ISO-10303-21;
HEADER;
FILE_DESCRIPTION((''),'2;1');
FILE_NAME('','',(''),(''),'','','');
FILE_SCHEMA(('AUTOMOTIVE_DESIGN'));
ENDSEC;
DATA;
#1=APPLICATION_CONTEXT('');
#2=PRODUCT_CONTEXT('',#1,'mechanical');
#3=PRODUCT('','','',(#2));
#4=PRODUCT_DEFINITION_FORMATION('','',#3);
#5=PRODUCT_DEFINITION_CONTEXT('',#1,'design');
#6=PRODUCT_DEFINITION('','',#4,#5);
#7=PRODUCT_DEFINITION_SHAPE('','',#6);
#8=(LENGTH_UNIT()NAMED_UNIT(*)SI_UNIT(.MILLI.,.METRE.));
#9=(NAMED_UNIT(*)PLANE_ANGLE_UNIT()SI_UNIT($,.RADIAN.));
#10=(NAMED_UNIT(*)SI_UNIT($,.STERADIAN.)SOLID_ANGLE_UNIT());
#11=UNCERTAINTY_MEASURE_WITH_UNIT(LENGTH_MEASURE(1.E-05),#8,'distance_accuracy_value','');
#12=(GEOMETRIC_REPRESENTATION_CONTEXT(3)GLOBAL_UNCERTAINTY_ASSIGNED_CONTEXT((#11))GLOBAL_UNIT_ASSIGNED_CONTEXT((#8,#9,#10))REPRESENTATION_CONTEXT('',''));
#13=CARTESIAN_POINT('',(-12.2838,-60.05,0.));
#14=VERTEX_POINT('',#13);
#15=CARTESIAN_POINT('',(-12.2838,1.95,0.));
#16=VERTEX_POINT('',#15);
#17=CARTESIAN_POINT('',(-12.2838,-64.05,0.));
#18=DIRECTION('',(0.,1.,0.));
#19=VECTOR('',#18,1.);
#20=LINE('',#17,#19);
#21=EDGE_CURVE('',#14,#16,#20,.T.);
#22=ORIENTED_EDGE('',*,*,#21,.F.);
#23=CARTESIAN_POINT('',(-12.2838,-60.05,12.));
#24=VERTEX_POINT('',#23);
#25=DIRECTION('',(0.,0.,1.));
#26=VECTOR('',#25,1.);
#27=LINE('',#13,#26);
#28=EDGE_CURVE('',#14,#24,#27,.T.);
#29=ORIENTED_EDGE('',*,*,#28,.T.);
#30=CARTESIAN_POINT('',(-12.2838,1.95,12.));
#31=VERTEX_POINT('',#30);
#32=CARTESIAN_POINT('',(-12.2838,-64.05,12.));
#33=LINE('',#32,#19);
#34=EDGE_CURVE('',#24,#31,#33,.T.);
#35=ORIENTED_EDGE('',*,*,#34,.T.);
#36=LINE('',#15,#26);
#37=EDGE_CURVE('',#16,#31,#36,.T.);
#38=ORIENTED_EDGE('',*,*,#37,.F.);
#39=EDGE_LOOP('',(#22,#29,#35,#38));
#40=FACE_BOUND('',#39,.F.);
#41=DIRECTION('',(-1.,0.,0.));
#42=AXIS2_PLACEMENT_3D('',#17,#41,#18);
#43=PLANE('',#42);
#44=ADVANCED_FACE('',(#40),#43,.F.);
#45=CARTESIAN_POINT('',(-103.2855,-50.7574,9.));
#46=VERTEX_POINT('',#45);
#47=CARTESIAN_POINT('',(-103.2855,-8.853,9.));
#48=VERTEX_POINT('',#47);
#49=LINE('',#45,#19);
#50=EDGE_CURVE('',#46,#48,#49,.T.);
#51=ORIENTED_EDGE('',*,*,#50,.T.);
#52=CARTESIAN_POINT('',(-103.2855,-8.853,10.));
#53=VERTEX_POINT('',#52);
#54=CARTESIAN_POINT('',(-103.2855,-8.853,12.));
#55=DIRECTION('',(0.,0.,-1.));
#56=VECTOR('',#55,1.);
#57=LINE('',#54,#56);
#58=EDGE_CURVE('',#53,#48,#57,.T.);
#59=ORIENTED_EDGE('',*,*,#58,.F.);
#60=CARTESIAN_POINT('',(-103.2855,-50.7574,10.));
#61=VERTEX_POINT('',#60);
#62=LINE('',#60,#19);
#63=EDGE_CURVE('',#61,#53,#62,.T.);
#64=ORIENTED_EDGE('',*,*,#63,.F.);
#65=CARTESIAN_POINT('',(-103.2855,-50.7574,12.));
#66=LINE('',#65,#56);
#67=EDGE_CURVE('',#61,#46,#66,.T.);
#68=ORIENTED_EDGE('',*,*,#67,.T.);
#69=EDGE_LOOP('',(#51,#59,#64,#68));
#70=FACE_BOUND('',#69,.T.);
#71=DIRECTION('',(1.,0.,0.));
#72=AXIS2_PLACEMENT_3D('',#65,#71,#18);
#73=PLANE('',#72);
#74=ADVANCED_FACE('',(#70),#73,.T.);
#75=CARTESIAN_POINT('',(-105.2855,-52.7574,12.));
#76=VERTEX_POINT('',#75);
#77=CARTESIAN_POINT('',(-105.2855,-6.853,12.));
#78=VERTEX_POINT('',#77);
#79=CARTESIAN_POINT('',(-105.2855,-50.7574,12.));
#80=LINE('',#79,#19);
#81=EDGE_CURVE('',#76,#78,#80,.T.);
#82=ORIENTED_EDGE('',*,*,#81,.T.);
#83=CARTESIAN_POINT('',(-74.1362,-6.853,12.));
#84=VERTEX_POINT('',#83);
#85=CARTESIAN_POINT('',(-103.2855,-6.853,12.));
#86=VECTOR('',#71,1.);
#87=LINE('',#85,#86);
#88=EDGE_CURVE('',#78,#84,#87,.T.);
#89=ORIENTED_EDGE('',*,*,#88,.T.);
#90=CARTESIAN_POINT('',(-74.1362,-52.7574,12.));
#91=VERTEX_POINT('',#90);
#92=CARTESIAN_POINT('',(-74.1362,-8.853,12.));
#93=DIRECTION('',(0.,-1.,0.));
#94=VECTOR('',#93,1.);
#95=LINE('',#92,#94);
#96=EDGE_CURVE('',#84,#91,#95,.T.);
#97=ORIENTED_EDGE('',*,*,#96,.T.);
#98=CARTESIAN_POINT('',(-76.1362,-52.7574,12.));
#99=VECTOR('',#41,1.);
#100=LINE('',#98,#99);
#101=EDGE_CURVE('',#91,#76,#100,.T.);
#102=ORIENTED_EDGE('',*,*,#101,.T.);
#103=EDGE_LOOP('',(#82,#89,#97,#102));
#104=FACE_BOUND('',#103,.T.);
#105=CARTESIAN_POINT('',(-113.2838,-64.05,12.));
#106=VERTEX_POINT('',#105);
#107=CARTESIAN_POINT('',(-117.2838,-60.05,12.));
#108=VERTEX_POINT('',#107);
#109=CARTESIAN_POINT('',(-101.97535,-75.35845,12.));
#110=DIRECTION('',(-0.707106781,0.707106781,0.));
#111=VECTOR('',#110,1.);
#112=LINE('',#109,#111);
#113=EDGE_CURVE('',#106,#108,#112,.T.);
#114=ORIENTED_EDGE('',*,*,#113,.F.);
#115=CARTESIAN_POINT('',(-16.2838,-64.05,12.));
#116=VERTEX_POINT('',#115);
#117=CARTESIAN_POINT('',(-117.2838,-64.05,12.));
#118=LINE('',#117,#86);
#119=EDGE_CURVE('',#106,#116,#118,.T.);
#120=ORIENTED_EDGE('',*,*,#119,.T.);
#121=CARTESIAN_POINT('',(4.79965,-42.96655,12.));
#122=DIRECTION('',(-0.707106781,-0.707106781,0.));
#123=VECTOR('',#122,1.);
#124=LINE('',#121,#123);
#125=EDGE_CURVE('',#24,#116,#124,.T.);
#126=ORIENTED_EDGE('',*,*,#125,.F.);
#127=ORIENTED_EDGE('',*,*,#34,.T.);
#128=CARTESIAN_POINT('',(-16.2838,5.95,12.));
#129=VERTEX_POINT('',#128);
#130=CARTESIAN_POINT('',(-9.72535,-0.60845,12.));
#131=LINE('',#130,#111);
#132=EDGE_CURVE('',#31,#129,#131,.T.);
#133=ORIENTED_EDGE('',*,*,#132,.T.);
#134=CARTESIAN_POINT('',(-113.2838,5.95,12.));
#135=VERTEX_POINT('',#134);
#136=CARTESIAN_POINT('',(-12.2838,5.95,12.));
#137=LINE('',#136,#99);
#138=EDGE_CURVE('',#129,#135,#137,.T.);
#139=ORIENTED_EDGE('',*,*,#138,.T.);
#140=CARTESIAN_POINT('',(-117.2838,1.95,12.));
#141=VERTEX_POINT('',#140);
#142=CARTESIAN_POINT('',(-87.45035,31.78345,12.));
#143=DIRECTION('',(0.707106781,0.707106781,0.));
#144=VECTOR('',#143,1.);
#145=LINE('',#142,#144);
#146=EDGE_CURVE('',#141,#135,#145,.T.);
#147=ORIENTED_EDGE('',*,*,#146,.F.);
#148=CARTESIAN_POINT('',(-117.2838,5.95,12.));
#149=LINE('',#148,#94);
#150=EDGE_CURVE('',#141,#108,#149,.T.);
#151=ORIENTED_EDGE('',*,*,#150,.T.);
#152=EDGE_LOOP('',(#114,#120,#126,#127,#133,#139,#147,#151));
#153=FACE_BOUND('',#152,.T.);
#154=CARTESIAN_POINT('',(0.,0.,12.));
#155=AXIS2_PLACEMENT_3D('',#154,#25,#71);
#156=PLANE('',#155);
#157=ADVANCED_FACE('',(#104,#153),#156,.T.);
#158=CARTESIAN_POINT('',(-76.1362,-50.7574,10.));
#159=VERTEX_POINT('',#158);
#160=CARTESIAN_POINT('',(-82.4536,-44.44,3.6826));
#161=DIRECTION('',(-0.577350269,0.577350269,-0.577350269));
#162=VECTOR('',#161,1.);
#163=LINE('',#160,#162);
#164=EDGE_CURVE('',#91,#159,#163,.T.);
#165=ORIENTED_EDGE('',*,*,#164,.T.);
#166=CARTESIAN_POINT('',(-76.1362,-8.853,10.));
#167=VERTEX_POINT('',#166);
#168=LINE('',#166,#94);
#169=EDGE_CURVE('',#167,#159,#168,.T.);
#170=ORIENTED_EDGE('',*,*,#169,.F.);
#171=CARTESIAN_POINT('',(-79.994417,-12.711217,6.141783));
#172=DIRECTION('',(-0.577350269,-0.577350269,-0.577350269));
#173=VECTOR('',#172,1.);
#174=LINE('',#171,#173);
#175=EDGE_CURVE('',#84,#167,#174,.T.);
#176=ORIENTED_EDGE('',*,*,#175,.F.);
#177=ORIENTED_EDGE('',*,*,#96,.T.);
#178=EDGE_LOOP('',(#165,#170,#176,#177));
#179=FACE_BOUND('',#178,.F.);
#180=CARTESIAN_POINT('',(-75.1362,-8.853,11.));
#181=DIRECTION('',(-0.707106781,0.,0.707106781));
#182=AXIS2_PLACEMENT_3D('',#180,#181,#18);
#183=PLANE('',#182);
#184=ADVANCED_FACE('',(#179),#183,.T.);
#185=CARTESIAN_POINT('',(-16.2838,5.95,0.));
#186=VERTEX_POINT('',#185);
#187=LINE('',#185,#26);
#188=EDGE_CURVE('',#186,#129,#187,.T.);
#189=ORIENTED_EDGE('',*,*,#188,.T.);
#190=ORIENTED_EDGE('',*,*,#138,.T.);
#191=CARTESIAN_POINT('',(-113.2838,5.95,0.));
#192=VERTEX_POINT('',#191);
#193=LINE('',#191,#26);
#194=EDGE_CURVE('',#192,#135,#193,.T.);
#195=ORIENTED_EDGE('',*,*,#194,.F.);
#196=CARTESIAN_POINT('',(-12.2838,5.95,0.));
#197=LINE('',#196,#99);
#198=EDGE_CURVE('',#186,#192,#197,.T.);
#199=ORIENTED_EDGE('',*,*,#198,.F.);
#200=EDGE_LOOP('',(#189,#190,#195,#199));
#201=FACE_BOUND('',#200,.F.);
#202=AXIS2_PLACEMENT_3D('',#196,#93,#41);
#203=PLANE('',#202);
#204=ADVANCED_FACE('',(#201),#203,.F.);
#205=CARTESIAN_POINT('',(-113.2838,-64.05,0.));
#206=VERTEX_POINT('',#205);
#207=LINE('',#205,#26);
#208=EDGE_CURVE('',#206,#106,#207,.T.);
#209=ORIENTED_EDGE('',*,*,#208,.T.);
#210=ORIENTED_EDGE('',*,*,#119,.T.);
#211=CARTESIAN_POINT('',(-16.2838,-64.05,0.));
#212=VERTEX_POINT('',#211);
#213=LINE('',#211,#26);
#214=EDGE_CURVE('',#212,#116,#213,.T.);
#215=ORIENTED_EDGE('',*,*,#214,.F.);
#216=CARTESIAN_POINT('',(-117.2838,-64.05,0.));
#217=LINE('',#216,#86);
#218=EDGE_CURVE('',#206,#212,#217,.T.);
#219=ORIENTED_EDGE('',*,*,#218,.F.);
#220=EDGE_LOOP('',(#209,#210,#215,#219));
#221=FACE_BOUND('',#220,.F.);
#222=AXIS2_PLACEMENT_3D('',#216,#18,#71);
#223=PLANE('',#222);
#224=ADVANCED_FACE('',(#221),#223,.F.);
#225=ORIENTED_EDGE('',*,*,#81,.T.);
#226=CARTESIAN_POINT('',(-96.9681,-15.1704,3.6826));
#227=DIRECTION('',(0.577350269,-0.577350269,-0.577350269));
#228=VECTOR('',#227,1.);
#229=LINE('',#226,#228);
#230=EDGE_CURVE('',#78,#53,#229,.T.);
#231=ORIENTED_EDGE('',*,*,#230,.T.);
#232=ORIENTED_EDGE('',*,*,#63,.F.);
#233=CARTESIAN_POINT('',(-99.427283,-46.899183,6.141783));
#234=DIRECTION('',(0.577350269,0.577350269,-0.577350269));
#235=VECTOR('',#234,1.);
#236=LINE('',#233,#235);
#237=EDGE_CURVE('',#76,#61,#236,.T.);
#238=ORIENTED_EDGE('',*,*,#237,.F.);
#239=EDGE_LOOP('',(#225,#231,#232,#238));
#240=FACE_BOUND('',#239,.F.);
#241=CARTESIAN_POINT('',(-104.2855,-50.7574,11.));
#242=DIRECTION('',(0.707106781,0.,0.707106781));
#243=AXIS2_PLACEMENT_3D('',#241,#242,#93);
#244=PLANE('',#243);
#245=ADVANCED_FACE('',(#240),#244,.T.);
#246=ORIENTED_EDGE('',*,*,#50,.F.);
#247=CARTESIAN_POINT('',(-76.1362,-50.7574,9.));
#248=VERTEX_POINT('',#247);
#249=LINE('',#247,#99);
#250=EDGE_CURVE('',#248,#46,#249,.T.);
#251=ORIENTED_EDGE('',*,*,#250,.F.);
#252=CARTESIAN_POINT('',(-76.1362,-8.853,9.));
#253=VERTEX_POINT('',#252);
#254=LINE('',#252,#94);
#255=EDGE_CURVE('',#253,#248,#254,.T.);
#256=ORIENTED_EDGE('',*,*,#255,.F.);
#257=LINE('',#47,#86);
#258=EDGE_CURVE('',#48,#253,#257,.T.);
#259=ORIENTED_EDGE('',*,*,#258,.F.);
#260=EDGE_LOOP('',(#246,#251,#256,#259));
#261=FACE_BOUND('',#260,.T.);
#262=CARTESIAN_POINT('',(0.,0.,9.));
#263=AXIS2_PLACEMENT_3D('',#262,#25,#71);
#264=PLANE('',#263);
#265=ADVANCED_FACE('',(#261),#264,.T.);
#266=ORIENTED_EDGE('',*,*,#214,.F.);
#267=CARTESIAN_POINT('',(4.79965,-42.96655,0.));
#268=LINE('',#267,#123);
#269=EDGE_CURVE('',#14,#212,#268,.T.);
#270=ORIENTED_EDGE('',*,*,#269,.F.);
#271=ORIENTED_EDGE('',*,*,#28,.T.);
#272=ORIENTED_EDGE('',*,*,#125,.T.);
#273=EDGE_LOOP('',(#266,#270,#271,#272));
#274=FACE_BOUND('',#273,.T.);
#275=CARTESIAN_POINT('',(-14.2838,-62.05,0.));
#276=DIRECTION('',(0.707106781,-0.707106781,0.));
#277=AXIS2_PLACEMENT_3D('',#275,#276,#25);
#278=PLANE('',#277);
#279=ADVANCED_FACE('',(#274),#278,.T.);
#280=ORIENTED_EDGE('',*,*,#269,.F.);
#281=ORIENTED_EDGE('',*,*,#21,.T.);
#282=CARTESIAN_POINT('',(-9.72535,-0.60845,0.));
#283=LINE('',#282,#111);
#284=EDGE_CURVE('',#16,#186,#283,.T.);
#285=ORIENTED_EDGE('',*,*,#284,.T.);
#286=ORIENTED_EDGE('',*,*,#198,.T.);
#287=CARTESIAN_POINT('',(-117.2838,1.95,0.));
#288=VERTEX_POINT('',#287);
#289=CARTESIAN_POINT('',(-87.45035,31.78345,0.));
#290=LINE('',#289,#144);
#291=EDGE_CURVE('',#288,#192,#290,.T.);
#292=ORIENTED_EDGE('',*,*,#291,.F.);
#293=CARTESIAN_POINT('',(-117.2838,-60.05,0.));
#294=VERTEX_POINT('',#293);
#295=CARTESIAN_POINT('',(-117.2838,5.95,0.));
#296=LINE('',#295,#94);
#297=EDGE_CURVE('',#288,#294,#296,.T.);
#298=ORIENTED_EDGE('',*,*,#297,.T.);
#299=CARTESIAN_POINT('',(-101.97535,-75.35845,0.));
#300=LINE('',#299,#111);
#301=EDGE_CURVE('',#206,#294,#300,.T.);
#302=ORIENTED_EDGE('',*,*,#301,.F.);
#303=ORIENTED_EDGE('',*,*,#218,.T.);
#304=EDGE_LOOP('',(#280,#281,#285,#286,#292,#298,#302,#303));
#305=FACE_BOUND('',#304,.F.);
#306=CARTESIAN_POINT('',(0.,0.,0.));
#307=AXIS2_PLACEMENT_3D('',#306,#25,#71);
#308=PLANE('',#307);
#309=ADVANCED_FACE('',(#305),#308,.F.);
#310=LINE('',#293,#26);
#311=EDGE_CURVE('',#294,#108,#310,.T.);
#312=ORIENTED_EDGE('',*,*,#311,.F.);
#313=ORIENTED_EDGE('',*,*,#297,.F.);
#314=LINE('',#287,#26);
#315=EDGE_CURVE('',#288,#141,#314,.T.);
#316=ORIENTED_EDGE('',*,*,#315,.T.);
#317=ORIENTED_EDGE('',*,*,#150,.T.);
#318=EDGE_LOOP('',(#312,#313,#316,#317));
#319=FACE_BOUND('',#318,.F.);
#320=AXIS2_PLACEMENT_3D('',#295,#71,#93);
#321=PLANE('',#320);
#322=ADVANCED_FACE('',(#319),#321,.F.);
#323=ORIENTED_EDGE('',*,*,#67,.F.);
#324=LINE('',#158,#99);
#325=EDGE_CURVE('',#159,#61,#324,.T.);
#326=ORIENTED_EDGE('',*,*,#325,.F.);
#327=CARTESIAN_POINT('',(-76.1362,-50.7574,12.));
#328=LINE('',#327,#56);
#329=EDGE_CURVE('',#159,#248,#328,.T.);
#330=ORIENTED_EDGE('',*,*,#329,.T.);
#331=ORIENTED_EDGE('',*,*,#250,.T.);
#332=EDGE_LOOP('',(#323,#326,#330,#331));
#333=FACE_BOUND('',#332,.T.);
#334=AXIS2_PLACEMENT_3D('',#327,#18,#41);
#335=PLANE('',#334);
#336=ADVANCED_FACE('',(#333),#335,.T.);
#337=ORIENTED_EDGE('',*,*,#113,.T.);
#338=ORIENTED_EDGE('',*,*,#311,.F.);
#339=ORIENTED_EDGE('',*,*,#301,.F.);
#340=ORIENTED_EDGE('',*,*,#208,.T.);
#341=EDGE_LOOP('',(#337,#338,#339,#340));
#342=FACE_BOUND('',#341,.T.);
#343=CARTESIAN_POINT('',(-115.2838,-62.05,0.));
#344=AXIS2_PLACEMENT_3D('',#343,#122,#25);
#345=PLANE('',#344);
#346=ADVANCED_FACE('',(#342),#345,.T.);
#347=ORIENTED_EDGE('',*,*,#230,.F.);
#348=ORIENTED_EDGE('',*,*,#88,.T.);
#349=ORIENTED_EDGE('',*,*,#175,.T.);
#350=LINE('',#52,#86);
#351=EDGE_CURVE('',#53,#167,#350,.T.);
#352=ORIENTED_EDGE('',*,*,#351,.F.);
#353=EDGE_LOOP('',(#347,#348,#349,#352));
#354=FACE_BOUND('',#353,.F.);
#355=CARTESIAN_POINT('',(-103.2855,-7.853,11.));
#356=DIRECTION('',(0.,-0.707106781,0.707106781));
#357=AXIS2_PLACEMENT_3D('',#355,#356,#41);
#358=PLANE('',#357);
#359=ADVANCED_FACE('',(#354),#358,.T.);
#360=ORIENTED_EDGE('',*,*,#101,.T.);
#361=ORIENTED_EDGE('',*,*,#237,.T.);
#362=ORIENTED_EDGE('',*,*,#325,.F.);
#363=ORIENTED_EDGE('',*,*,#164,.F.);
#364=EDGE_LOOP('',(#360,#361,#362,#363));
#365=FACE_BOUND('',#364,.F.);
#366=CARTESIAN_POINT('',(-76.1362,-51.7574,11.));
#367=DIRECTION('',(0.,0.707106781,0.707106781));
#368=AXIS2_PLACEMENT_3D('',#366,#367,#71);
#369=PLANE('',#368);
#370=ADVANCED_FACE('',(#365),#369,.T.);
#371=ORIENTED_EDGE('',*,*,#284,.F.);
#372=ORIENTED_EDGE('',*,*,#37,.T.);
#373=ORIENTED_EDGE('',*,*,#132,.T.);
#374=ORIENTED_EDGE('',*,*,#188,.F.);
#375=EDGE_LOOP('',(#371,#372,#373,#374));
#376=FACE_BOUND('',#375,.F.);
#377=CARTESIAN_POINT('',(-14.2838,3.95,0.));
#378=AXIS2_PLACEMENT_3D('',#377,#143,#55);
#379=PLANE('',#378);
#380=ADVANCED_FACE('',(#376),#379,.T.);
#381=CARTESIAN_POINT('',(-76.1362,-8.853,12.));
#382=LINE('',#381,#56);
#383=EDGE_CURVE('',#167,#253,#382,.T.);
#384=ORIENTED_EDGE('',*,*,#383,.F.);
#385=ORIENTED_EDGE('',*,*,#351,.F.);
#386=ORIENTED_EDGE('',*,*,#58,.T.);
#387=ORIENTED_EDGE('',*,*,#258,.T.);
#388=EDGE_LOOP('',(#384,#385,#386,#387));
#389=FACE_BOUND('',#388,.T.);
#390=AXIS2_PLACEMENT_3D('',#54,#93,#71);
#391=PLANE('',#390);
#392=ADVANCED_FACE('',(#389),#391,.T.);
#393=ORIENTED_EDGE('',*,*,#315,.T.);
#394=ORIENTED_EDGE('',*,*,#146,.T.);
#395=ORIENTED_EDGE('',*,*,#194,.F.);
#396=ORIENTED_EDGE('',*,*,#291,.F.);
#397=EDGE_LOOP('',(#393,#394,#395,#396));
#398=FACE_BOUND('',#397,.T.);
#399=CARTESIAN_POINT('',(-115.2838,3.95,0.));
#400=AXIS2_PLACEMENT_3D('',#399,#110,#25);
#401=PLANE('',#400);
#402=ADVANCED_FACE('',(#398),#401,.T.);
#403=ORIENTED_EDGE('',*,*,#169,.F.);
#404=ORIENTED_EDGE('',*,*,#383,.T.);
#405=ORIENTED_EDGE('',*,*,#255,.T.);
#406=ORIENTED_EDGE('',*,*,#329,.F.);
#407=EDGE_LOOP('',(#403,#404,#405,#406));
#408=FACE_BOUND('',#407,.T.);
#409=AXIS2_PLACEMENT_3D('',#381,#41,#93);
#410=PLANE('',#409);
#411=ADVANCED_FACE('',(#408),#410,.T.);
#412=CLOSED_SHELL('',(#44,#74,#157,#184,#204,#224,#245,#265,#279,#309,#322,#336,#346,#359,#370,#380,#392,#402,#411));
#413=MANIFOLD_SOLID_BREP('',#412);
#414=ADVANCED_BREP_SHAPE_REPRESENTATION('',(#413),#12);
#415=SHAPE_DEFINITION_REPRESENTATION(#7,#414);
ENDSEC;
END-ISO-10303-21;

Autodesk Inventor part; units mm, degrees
ref_plane "YZ Plane" through (0, 0, 0) normal (1, 0, 0) x (0, 1, 0)
ref_plane "XZ Plane" through (0, 0, 0) normal (0, 1, 0) x (-1, 0, 0)
ref_plane "XY Plane" through (0, 0, 0) normal (0, 0, 1) x (1, 0, 0)
sketch "Sketch1" plane through (0, 0, 0) normal (0, 0, 1) x (1, 0, 0)
  line L0 (-12.2838, 5.95) -> (-117.2838, 5.95)
  line L1 (-117.2838, 5.95) -> (-117.2838, -64.05)
  line L2 (-117.2838, -64.05) -> (-12.2838, -64.05)
  line L3 (-12.2838, -64.05) -> (-12.2838, 5.95)
  point P0 (0, 0)
  dimension "d0" = 105
  dimension "d1" = 70
extrude "Extrusion1" add sketch "Sketch1" along normal blind 12
chamfer "Chamfer1" distance 4 angle 45 4 edges at (-12.2838, 5.95, 6) (-12.2838, -64.05, 6) (-117.2838, -64.05, 6) (-117.2838, 5.95, 6)
sketch "Sketch2" plane through (0, 0, 12) normal (0, 0, 1) x (1, 0, 0)
  line L0 (-103.2855, -8.853) -> (-76.1362, -8.853)
  line L1 (-76.1362, -8.853) -> (-76.1362, -50.7574)
  line L2 (-76.1362, -50.7574) -> (-103.2855, -50.7574)
  line L3 (-103.2855, -50.7574) -> (-103.2855, -8.853)
  point P0 (0, 0)
extrude "Extrusion2" cut sketch "Sketch2" against normal blind 3
chamfer "Chamfer2" distance 2 angle 45 4 edges at (-103.2855, -29.8052, 12) (-89.7108, -8.853, 12) (-76.1362, -29.8052, 12) (-89.7108, -50.7574, 12)
properties part number "RFID scanner"
